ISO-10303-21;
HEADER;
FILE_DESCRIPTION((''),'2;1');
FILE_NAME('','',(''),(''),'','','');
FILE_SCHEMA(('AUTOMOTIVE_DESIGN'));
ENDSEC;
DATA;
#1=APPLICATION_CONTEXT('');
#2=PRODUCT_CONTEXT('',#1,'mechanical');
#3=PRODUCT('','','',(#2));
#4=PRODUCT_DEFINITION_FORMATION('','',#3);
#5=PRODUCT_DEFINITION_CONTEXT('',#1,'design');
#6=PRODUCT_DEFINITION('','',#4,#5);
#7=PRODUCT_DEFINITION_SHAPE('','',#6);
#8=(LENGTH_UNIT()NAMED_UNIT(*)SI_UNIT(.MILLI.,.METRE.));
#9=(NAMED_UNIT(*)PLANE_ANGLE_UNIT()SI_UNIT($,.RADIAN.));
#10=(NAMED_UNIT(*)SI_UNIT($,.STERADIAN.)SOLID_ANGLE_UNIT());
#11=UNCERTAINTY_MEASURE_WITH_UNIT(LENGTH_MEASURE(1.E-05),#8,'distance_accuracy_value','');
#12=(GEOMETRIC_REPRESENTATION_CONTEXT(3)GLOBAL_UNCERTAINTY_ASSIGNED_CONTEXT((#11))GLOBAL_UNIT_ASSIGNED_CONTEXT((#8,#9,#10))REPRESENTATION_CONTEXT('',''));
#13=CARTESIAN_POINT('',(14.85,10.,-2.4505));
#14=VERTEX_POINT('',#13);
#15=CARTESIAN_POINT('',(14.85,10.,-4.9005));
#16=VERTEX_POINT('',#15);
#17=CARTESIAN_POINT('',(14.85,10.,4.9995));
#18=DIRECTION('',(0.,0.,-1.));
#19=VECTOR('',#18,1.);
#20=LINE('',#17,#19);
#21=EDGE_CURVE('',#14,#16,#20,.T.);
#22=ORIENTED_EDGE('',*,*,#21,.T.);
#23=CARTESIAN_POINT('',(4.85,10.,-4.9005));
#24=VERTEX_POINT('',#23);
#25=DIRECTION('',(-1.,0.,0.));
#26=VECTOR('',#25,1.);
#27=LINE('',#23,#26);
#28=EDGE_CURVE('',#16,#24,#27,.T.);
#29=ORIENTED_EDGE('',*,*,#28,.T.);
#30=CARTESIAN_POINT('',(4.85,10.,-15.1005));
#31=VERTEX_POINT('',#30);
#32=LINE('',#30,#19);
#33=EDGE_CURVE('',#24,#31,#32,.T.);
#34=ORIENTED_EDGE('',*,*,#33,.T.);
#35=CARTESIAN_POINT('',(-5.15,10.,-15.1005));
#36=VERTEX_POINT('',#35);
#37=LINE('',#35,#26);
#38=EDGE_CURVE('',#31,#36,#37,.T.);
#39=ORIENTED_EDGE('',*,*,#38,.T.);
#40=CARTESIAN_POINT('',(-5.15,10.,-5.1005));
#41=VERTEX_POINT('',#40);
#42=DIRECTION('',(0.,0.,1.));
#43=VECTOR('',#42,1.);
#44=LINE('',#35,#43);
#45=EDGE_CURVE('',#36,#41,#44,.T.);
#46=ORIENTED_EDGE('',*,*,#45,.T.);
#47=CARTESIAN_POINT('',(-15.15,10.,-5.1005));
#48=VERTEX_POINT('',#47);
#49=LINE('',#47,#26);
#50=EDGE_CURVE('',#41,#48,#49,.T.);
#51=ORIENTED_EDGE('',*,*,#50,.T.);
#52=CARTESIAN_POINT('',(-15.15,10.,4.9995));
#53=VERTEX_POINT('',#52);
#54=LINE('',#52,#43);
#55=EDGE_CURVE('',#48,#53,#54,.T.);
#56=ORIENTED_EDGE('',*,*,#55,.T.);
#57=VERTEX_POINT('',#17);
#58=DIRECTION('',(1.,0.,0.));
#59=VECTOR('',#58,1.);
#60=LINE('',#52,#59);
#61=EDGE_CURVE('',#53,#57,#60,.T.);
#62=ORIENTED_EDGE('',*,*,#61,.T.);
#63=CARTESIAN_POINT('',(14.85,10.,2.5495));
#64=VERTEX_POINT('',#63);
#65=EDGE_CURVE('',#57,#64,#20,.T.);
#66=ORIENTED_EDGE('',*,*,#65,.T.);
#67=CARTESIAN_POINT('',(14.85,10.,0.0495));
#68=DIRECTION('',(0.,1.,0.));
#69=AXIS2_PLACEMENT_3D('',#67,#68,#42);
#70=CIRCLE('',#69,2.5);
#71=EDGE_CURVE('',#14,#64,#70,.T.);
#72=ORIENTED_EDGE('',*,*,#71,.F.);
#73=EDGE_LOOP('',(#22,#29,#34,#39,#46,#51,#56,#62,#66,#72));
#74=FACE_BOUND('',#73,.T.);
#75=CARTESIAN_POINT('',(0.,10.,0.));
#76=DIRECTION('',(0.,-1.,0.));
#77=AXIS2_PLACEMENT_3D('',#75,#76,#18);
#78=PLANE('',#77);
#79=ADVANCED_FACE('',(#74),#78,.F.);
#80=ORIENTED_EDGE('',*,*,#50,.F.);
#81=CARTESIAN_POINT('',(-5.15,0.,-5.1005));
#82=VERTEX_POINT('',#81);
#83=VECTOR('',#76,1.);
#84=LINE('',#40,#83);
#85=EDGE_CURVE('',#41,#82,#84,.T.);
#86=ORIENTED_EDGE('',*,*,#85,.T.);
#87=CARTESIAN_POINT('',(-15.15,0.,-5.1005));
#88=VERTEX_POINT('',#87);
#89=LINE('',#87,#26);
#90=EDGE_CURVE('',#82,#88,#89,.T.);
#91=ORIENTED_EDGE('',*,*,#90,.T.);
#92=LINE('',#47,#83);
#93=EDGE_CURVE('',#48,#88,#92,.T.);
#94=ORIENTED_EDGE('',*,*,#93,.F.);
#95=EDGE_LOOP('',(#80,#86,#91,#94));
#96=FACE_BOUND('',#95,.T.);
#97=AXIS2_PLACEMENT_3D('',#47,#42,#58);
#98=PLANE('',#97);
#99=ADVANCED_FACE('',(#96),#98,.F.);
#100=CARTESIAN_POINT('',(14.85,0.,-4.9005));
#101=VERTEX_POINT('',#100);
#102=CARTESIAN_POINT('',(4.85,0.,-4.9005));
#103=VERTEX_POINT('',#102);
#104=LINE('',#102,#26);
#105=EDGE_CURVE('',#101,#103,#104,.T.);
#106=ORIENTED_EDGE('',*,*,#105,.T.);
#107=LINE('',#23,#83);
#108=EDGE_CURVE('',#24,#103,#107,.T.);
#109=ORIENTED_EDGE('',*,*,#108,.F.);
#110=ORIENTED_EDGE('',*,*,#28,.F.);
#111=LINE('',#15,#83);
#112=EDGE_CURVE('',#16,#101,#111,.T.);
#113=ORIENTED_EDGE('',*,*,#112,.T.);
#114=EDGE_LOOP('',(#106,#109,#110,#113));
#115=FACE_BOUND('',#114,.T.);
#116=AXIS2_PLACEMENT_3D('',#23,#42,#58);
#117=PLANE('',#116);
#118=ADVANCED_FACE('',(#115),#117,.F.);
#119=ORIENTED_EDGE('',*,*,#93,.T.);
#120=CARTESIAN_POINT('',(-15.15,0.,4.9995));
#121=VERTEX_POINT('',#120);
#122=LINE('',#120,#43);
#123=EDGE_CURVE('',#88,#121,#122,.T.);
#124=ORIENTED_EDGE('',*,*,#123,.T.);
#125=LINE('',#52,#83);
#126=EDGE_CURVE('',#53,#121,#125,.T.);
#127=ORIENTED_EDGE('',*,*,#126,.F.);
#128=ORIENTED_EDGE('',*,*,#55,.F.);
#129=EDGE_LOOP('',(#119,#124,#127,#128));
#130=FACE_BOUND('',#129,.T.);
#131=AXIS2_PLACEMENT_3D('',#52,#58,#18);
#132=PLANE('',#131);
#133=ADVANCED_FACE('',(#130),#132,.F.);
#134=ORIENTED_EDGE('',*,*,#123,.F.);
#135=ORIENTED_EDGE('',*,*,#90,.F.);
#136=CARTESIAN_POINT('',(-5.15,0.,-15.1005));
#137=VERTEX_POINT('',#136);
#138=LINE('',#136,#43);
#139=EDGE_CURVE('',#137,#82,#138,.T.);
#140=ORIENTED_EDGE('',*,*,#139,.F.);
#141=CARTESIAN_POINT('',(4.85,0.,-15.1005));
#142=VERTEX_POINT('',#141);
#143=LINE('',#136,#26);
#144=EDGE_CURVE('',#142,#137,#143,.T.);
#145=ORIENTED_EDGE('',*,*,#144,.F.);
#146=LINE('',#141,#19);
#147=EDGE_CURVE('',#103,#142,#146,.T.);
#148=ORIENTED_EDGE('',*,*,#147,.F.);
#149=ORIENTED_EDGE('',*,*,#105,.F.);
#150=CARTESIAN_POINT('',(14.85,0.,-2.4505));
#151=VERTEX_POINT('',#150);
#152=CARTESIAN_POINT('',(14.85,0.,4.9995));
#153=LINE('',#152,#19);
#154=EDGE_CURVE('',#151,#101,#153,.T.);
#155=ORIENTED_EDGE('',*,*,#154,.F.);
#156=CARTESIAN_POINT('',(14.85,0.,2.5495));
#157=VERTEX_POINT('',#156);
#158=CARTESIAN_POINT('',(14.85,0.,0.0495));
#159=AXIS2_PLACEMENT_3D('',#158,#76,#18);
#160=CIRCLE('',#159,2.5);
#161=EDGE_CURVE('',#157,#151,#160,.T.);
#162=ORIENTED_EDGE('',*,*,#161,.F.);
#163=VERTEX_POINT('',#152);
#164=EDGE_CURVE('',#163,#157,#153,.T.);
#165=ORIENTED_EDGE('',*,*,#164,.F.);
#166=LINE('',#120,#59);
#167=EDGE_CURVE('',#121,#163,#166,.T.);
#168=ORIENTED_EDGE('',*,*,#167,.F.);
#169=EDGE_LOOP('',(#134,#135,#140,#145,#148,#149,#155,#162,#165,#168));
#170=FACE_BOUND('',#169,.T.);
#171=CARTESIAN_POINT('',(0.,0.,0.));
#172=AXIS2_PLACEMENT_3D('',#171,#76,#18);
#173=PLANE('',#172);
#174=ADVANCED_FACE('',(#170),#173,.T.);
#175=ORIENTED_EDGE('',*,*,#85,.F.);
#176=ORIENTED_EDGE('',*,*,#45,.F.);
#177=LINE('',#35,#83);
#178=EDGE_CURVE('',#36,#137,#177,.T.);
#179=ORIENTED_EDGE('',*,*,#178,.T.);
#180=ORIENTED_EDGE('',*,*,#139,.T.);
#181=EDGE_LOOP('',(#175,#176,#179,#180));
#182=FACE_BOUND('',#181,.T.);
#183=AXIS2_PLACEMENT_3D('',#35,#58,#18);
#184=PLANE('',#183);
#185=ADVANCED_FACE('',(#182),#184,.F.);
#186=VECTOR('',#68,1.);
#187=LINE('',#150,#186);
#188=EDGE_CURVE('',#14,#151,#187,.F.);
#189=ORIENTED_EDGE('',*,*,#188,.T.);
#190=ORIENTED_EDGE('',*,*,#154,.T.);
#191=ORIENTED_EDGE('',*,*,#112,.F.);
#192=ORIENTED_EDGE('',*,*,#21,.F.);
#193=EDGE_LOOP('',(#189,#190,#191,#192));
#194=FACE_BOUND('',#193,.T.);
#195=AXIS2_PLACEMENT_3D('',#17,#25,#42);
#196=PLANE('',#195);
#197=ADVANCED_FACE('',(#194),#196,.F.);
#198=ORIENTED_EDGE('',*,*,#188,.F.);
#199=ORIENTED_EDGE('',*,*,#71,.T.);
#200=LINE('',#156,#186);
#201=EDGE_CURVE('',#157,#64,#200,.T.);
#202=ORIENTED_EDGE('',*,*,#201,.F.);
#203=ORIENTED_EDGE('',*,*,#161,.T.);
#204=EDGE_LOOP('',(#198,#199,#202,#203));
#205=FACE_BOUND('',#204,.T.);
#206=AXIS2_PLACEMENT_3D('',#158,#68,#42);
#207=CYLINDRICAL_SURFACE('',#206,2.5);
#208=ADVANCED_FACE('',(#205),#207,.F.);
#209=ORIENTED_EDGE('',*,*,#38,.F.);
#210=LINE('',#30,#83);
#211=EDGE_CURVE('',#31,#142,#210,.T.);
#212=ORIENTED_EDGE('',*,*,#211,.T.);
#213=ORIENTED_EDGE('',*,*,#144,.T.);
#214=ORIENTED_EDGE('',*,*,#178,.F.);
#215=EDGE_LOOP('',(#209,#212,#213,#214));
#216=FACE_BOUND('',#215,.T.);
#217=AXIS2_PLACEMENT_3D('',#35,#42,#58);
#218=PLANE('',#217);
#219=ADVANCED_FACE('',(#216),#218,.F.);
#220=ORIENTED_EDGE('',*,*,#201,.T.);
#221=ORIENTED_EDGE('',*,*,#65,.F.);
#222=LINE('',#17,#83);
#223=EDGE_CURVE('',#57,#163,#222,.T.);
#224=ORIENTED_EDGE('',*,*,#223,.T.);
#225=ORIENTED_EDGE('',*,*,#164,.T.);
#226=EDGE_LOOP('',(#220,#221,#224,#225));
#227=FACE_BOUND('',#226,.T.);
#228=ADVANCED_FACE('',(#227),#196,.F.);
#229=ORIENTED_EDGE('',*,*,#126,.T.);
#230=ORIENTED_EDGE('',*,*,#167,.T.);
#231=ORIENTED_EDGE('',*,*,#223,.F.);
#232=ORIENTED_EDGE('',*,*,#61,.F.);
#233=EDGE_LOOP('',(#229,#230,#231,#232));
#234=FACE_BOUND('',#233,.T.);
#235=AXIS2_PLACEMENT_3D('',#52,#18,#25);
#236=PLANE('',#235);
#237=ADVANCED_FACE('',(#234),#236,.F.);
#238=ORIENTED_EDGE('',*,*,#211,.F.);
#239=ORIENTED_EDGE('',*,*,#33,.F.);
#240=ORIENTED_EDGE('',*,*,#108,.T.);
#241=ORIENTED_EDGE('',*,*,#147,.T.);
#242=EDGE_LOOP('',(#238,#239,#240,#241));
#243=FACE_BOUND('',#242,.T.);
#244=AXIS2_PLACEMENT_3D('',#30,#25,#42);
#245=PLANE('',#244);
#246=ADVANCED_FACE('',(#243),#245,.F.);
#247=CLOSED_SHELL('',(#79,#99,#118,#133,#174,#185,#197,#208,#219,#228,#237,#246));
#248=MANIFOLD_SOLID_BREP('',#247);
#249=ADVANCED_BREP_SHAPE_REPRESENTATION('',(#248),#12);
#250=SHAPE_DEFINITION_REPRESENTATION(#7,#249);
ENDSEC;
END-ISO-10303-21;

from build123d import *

# Parameters (mm, degrees)
BOSS_EXTRUDE1_DEPTH = 10
SKETCH2_R           = 2.5
CUT_EXTRUDE1_DEPTH  = 24.612445876


with BuildPart() as part:
    # Sketch1 → Boss-Extrude1 (new body)
    with BuildSketch(Plane(origin=(0, 0, 0), x_dir=(1, 0, 0), z_dir=(0, 1, 0))):
        Polygon((4.85, 4.9005), (14.85, 4.9005), (14.85, -4.9995), (-15.15, -4.9995), (-15.15, 5.1005), (-5.15, 5.1005), (-5.15, 15.1005), (4.85, 15.1005), align=None)
    extrude(amount=BOSS_EXTRUDE1_DEPTH)

    # Sketch2 → Cut-Extrude1 (cut, through all)
    with BuildSketch(Plane(origin=(0, 10, 0), x_dir=(1, 0, 0), z_dir=(0, 1, 0))):
        with Locations((14.85, -0.0495)):
            Circle(SKETCH2_R)
    extrude(amount=-CUT_EXTRUDE1_DEPTH, mode=Mode.SUBTRACT)


solid = part.part
